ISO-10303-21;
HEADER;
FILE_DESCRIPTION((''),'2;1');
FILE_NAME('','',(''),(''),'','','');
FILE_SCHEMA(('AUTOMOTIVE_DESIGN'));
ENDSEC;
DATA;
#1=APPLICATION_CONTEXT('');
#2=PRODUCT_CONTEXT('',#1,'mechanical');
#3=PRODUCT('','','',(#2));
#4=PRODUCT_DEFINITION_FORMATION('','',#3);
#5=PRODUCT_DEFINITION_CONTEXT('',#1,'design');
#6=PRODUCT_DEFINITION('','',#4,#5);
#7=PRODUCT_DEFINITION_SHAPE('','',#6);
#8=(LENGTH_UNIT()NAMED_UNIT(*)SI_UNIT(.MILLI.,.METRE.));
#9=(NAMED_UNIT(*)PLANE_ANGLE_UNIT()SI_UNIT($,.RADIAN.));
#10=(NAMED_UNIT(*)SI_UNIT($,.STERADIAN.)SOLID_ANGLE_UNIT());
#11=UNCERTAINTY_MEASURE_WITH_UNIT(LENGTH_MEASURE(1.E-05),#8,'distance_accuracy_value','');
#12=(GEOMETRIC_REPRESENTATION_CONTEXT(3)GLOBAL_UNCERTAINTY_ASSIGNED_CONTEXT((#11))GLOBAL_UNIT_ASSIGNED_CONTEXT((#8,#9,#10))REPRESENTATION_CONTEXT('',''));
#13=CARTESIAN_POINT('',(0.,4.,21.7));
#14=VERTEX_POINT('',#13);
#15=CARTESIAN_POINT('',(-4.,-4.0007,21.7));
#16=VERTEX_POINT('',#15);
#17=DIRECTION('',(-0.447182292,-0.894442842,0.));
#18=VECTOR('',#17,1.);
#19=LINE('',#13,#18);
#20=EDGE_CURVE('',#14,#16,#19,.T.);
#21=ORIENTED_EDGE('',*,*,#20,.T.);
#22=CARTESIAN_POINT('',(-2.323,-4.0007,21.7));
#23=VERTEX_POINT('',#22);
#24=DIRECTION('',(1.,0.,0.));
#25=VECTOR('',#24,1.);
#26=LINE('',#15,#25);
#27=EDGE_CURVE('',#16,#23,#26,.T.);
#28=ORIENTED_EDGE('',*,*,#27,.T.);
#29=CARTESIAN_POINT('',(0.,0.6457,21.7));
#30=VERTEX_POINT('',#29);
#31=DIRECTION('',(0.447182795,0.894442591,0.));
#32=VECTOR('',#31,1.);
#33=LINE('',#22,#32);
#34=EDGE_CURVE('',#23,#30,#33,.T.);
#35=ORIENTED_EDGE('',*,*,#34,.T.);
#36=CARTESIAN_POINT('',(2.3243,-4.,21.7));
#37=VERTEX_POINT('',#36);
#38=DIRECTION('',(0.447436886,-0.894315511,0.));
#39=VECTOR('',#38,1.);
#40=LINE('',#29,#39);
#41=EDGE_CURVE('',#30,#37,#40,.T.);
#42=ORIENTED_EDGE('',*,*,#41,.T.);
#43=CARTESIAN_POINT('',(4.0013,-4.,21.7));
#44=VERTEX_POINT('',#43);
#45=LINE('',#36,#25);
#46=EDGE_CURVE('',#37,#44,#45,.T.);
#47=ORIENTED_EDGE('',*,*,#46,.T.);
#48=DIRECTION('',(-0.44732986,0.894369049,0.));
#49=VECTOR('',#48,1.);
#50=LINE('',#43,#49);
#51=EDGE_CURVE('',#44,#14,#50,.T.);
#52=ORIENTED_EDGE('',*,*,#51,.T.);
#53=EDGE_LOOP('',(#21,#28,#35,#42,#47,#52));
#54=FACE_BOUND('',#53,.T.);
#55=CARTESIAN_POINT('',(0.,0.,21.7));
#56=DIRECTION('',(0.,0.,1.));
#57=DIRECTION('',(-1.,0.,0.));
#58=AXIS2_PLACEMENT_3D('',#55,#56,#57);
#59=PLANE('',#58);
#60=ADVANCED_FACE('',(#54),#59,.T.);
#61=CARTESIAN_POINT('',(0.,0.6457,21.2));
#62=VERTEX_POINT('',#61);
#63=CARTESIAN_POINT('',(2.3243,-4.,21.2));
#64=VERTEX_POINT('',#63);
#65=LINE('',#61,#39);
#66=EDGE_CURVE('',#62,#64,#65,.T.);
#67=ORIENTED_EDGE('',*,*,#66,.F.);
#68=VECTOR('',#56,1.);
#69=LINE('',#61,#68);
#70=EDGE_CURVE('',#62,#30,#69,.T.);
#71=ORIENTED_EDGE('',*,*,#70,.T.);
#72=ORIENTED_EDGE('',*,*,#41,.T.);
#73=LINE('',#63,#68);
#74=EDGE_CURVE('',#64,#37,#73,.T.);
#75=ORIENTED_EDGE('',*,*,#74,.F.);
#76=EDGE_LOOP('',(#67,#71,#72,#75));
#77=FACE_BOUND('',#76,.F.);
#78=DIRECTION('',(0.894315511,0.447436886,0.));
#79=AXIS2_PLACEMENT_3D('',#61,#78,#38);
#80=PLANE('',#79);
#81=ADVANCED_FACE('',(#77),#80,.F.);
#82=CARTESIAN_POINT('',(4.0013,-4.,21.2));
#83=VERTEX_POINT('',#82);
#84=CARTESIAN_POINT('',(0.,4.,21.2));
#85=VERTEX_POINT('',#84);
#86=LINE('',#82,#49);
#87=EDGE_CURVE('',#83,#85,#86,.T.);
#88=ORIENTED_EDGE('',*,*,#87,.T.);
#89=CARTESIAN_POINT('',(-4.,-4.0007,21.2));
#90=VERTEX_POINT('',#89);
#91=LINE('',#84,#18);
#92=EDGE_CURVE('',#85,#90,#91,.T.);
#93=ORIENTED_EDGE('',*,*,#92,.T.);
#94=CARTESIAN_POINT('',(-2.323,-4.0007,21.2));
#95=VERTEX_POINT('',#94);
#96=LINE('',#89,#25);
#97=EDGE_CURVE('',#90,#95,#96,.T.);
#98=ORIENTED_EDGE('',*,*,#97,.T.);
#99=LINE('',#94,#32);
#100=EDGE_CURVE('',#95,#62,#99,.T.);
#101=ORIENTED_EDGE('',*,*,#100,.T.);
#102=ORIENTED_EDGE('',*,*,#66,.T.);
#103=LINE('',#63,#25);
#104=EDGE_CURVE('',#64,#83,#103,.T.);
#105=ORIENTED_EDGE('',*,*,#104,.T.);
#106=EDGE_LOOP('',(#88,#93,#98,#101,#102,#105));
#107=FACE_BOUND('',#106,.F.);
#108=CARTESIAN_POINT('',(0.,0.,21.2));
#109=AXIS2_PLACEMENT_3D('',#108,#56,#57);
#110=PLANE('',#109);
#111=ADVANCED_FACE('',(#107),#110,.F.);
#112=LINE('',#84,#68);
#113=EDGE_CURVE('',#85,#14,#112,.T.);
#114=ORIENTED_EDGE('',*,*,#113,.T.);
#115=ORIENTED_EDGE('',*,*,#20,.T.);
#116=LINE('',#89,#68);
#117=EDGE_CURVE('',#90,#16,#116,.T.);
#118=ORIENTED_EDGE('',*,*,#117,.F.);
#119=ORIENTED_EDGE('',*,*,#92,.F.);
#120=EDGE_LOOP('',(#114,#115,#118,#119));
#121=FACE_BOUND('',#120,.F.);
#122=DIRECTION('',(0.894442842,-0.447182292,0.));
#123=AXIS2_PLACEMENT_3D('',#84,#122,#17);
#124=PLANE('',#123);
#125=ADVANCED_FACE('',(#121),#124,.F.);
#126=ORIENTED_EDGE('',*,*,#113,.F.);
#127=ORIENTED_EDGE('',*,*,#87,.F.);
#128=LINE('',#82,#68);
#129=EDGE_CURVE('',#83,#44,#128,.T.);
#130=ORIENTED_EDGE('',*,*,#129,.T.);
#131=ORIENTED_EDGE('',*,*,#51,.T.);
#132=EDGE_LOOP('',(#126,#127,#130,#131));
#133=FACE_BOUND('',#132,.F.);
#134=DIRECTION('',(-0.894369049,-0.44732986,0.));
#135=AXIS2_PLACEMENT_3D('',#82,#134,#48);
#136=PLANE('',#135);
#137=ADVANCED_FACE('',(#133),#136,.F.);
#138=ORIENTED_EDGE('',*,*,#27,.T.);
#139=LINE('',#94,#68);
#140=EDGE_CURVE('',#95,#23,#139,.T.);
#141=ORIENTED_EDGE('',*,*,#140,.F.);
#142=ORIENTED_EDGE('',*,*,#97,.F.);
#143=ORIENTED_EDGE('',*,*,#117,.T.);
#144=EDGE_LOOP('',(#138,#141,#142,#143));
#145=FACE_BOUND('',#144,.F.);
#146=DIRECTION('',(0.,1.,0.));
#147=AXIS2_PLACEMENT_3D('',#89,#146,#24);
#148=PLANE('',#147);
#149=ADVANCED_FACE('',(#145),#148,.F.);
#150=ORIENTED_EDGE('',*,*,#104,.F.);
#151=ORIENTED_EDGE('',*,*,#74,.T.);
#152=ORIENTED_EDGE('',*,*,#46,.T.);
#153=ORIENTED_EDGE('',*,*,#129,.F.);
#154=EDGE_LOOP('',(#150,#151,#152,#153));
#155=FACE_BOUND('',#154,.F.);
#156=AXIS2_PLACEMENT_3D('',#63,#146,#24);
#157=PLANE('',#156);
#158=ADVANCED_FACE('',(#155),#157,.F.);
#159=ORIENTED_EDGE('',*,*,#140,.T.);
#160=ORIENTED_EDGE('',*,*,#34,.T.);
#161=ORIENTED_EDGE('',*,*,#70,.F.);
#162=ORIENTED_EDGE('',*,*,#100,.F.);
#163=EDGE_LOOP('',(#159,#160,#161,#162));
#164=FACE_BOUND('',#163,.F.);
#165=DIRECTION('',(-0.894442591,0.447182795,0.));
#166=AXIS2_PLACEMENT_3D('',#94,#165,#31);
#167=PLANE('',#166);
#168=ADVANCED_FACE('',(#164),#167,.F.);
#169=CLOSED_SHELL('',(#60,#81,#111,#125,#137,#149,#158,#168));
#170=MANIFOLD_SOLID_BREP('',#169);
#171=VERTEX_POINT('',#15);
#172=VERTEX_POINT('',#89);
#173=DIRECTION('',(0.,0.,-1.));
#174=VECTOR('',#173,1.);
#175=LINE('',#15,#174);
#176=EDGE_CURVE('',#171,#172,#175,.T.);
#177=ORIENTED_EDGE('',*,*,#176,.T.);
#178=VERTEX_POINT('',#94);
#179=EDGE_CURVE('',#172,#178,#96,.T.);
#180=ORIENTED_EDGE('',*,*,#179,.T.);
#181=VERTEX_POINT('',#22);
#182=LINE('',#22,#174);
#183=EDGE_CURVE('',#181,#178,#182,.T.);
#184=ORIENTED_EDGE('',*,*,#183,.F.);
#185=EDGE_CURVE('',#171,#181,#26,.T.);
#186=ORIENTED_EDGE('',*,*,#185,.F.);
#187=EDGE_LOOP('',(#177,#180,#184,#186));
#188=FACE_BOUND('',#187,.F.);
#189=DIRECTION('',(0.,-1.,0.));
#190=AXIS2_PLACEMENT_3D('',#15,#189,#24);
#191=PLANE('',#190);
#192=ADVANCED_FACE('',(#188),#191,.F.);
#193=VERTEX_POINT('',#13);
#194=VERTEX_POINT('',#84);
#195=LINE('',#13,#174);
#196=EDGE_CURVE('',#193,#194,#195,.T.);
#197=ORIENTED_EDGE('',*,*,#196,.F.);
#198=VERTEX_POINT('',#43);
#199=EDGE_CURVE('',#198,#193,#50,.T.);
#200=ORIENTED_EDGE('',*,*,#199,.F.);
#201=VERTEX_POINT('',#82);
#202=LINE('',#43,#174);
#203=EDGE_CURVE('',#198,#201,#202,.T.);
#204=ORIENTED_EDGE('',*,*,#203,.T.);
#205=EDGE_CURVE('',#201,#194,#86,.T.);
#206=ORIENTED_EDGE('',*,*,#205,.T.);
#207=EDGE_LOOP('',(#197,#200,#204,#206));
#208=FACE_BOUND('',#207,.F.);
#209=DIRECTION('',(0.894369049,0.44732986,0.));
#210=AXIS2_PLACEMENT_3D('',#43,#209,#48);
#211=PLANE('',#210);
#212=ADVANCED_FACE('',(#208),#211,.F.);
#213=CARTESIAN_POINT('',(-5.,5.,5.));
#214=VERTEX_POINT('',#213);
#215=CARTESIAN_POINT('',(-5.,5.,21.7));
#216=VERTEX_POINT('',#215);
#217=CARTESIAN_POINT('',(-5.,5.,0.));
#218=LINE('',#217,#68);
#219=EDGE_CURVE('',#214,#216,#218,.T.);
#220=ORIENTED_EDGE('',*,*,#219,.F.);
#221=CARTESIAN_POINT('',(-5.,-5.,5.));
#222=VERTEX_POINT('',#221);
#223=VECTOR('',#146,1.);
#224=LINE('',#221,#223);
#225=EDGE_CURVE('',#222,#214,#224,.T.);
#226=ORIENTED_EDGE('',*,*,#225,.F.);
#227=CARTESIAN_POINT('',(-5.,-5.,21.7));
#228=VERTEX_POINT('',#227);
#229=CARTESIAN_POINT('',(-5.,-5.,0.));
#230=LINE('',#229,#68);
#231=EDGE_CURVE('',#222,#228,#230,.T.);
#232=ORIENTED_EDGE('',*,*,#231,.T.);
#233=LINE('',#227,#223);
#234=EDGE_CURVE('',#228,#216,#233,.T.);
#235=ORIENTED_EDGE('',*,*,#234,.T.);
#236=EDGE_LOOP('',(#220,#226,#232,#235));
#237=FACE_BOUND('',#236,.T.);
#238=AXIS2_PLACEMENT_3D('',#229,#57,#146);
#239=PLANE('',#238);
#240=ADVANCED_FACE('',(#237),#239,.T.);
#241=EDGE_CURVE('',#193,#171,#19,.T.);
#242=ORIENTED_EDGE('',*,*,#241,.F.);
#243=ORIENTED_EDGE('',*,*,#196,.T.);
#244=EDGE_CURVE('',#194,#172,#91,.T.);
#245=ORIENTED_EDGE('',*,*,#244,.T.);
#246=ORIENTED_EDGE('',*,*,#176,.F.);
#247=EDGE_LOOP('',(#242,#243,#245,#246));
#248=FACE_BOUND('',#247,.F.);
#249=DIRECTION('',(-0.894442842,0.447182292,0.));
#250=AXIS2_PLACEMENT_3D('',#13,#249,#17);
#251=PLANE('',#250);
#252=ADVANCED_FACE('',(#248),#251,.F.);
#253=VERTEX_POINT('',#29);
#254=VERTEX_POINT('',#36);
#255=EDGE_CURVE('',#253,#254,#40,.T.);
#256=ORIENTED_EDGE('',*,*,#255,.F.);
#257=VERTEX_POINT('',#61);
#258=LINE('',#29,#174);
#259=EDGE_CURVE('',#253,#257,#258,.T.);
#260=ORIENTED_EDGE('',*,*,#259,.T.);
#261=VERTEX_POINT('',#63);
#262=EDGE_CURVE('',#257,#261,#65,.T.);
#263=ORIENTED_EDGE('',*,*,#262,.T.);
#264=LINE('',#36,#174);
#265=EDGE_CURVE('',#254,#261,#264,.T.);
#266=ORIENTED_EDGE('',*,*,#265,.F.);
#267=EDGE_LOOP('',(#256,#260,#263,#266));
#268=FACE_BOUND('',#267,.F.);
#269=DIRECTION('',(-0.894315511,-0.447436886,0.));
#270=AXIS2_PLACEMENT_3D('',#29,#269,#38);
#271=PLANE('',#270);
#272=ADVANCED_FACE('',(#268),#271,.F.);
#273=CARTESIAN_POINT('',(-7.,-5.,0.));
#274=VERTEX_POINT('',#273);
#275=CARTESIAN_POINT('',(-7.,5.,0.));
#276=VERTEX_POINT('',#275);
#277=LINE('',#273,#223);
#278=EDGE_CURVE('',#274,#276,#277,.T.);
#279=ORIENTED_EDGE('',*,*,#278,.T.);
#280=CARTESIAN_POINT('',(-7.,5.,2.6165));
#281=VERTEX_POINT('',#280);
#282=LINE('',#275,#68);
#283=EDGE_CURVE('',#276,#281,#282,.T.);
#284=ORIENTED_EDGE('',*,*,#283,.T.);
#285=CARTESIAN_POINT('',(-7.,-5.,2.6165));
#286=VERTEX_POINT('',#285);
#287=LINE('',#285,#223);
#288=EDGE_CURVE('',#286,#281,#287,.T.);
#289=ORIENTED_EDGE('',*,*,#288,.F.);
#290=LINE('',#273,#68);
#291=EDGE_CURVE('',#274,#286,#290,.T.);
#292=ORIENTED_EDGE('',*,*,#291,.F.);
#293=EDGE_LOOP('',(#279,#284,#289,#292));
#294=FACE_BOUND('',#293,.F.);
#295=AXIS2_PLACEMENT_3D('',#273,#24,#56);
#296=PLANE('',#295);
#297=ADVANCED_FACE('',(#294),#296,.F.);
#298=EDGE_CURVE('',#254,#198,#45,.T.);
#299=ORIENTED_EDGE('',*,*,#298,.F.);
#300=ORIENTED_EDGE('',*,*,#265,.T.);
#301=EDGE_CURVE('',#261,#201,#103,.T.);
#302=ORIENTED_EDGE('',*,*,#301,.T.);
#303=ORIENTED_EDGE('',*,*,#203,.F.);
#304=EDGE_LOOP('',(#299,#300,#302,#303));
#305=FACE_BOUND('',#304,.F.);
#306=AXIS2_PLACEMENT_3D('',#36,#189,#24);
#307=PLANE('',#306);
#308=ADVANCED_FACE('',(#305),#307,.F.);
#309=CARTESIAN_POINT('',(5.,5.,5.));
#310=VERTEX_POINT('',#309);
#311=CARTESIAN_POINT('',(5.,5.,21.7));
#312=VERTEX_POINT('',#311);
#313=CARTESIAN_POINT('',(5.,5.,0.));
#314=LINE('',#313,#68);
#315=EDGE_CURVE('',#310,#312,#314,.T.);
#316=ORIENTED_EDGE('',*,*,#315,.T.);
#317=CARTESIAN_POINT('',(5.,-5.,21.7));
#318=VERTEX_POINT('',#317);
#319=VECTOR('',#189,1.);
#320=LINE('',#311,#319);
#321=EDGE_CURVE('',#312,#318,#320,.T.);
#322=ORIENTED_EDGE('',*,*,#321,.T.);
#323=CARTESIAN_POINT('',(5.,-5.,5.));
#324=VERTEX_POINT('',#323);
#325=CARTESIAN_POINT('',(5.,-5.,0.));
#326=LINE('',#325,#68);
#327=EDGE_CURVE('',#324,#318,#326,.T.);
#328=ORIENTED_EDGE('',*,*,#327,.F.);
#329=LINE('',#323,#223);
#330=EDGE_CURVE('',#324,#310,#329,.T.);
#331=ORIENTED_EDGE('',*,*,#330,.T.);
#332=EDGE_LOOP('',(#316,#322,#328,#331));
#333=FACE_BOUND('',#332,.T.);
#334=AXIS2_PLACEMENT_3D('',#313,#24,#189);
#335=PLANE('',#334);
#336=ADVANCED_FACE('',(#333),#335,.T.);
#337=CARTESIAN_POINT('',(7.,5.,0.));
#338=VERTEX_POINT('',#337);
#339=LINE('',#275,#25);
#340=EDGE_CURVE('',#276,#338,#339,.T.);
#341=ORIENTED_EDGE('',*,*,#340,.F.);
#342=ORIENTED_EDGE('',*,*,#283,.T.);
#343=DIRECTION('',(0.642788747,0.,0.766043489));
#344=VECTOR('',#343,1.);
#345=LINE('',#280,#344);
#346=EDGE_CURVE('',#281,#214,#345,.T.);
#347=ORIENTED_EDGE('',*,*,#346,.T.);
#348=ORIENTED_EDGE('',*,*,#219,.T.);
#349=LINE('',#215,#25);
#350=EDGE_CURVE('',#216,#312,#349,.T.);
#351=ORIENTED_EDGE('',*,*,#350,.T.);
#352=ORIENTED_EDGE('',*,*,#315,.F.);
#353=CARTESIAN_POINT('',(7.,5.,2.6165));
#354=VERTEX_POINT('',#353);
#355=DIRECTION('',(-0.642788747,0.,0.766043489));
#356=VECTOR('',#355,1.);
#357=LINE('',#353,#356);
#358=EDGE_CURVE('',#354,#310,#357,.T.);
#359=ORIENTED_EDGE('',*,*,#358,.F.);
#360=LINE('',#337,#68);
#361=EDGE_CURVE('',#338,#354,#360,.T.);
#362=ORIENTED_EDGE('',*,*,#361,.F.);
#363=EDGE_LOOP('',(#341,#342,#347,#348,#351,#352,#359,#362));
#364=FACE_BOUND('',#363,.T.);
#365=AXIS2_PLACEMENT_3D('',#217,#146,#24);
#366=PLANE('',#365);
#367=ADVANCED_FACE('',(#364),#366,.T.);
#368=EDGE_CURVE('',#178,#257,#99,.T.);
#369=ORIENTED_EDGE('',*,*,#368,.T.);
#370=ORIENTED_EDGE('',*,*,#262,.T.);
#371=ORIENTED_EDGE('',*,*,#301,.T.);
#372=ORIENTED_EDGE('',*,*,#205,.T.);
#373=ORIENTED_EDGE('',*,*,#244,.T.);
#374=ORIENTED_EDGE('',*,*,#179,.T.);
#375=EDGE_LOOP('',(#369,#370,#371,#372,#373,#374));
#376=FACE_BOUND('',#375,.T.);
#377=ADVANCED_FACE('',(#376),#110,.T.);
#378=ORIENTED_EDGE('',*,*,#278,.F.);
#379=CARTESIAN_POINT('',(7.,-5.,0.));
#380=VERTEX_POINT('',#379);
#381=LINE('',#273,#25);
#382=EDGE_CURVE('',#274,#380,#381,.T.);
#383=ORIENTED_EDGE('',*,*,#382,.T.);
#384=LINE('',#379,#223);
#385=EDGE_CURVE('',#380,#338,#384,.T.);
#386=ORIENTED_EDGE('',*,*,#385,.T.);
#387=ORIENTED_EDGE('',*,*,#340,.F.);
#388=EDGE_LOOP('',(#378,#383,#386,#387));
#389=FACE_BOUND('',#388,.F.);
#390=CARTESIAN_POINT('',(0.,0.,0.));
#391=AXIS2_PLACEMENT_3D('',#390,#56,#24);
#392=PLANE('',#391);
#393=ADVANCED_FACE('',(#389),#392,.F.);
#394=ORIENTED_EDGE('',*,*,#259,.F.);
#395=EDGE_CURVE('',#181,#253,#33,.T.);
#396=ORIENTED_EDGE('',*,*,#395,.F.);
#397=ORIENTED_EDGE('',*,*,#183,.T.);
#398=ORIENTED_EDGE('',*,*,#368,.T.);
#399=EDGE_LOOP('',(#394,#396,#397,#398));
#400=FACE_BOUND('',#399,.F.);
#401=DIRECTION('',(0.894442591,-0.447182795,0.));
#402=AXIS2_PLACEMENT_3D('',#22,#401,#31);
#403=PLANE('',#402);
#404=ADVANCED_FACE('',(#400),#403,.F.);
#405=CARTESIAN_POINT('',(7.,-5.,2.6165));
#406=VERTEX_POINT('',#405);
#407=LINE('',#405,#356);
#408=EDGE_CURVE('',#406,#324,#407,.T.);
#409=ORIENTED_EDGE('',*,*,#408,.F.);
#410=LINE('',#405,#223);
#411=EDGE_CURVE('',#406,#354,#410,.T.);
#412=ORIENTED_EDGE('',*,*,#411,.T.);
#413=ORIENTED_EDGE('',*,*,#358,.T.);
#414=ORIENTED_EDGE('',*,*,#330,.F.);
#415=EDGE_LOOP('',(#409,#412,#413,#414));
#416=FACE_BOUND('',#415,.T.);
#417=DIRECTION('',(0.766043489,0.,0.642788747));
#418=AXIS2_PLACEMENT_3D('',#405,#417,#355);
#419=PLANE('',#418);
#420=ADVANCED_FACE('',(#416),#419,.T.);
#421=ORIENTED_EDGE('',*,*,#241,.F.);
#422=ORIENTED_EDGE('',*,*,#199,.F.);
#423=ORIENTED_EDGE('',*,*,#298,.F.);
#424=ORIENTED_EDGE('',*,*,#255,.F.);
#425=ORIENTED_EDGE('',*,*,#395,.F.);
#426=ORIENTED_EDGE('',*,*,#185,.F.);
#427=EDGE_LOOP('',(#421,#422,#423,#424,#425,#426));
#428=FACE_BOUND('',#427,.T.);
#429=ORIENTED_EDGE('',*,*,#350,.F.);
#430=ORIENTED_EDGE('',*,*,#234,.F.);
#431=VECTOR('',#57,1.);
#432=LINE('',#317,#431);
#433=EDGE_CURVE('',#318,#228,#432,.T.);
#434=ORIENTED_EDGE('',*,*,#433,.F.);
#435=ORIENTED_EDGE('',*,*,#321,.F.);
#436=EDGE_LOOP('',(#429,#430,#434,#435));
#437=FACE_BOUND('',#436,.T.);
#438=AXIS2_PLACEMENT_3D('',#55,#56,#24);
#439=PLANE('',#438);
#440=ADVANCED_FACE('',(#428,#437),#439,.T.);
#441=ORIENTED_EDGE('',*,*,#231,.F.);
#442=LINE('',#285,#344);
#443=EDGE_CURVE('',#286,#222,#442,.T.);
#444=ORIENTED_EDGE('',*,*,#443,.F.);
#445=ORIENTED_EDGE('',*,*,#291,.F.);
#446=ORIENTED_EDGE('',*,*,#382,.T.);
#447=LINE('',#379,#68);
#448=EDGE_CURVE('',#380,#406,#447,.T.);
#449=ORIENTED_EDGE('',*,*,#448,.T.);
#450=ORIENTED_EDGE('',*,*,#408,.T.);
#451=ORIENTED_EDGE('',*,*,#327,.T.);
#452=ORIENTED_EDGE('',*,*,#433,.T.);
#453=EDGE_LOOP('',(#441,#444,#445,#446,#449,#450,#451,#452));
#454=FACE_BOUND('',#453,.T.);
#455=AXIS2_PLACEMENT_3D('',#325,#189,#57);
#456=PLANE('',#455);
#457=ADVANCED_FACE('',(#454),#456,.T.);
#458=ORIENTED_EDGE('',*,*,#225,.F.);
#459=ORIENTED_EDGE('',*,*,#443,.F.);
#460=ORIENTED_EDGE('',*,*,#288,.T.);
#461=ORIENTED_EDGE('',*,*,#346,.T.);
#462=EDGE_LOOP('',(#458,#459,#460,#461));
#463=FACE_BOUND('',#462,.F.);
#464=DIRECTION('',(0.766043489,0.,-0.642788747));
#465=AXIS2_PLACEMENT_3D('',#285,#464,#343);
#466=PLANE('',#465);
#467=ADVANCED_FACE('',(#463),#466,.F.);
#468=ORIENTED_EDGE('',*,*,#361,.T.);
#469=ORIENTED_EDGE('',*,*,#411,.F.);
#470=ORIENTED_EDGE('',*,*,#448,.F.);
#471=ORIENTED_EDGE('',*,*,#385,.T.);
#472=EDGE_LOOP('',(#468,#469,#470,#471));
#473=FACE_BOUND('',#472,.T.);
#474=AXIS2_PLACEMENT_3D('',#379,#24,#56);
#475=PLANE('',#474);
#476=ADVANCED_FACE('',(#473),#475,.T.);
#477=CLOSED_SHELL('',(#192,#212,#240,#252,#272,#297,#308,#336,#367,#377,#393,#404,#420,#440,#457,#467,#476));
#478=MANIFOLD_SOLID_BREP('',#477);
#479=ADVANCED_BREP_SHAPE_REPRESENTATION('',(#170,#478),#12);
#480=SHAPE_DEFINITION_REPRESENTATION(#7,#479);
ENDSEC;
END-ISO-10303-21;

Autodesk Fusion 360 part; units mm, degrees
sketch "Skizze1" plane through (0, 0, 0) normal (0, 0, 1) x (1, 0, 0) in component "Key_Up_Down"
  line L0 (5, -5) -> (-5, -5)
  line L1 (-5, -5) -> (-5, 5)
  line L2 (-5, 5) -> (5, 5)
  line L3 (5, 5) -> (5, -5)
  line L4 (5, -5) -> (-5, 5) construction
  line L5 (-5, -5) -> (5, 5) construction
  dimension "d1" = 10
  dimension "d2" = 10
extrude "Extrusion1" add sketch "Skizze1" along normal blind 21.7 makes body 1 in component "Key_Up_Down"
sketch "Skizze2" plane through (0, 0, 21.7) normal (0, 0, 1) x (-1, 0, 0) in component "Key_Up_Down"
  line L0 (-5, -5) -> (5, -5)
  line L1 (5, -5) -> (5, 5)
  line L2 (5, 5) -> (-5, 5)
  line L3 (-5, 5) -> (-5, -5)
  line L4 (0, -4) -> (4, 4.0007)
  line L5 (4, 4.0007) -> (2.323, 4.0007)
  line L6 (2.323, 4.0007) -> (0, -0.6457)
  line L7 (0, -0.6457) -> (-2.3243, 4)
  line L8 (-2.3243, 4) -> (-4.0013, 4)
  line L9 (-4.0013, 4) -> (0, -4)
  dimension "d5" = 1
  dimension "d6" = 1
  dimension "d7" = 1
  dimension "d8" = 1.5
extrude "Extrusion2" cut sketch "Skizze2" against normal blind 0.5 contours L4 L5 L6 L7 L8 L9 bodies 1 in component "Key_Up_Down"
extrude "Extrusion1'" add 1 faces at (1.3338, 0.2152, 21.2) along direction (0, 0, 1) up to surface (0.5 mm away) separate body on bodies 1 makes body 2 in component "Key_Up_Down_Icon"
sketch "Skizze3" plane through (0, -5, 0) normal (0, -1, 0) x (1, 0, 0) in component "Key_Up_Down"
  line L0 (-5, 0) -> (5, 0)
  line L1 (5, 0) -> (5, 21.7)
  line L2 (5, 21.7) -> (-5, 21.7)
  line L3 (-5, 21.7) -> (-5, 0)
  line L4 (5, 0) -> (7, 0)
  line L5 (7, 0) -> (7, 2.6165)
  line L6 (7, 2.6165) -> (5, 5)
  line L7 (0, 20) -> (0, 2.5)
  line L8 (-5, 0) -> (-7, 0)
  line L9 (-7, 2.6165) -> (-5, 5)
  line L10 (-7, 0) -> (-7, 2.6165)
  point P0 (-5, 0)
  dimension "d19" = 2
  dimension "d20" = 5
  dimension "d21" = 40
extrude "Extrusion4" add sketch "Skizze3" against normal up to surface (10 mm away) contours L3 L8 L9 L10 | L1 L4 L5 L6 bodies 1 in component "Key_Up_Down"
component "Key_Up_Down" placed x (1, 0, 0) y (0, 1, 0) z (0, 0, 1) at (0, 0, 0)
component "Key_Up_Down_Icon" placed x (1, 0, 0) y (0, 1, 0) z (0, 0, 1) at (0, 0, 0)
equation "d6 = d5"
equation "d7 = d5"
